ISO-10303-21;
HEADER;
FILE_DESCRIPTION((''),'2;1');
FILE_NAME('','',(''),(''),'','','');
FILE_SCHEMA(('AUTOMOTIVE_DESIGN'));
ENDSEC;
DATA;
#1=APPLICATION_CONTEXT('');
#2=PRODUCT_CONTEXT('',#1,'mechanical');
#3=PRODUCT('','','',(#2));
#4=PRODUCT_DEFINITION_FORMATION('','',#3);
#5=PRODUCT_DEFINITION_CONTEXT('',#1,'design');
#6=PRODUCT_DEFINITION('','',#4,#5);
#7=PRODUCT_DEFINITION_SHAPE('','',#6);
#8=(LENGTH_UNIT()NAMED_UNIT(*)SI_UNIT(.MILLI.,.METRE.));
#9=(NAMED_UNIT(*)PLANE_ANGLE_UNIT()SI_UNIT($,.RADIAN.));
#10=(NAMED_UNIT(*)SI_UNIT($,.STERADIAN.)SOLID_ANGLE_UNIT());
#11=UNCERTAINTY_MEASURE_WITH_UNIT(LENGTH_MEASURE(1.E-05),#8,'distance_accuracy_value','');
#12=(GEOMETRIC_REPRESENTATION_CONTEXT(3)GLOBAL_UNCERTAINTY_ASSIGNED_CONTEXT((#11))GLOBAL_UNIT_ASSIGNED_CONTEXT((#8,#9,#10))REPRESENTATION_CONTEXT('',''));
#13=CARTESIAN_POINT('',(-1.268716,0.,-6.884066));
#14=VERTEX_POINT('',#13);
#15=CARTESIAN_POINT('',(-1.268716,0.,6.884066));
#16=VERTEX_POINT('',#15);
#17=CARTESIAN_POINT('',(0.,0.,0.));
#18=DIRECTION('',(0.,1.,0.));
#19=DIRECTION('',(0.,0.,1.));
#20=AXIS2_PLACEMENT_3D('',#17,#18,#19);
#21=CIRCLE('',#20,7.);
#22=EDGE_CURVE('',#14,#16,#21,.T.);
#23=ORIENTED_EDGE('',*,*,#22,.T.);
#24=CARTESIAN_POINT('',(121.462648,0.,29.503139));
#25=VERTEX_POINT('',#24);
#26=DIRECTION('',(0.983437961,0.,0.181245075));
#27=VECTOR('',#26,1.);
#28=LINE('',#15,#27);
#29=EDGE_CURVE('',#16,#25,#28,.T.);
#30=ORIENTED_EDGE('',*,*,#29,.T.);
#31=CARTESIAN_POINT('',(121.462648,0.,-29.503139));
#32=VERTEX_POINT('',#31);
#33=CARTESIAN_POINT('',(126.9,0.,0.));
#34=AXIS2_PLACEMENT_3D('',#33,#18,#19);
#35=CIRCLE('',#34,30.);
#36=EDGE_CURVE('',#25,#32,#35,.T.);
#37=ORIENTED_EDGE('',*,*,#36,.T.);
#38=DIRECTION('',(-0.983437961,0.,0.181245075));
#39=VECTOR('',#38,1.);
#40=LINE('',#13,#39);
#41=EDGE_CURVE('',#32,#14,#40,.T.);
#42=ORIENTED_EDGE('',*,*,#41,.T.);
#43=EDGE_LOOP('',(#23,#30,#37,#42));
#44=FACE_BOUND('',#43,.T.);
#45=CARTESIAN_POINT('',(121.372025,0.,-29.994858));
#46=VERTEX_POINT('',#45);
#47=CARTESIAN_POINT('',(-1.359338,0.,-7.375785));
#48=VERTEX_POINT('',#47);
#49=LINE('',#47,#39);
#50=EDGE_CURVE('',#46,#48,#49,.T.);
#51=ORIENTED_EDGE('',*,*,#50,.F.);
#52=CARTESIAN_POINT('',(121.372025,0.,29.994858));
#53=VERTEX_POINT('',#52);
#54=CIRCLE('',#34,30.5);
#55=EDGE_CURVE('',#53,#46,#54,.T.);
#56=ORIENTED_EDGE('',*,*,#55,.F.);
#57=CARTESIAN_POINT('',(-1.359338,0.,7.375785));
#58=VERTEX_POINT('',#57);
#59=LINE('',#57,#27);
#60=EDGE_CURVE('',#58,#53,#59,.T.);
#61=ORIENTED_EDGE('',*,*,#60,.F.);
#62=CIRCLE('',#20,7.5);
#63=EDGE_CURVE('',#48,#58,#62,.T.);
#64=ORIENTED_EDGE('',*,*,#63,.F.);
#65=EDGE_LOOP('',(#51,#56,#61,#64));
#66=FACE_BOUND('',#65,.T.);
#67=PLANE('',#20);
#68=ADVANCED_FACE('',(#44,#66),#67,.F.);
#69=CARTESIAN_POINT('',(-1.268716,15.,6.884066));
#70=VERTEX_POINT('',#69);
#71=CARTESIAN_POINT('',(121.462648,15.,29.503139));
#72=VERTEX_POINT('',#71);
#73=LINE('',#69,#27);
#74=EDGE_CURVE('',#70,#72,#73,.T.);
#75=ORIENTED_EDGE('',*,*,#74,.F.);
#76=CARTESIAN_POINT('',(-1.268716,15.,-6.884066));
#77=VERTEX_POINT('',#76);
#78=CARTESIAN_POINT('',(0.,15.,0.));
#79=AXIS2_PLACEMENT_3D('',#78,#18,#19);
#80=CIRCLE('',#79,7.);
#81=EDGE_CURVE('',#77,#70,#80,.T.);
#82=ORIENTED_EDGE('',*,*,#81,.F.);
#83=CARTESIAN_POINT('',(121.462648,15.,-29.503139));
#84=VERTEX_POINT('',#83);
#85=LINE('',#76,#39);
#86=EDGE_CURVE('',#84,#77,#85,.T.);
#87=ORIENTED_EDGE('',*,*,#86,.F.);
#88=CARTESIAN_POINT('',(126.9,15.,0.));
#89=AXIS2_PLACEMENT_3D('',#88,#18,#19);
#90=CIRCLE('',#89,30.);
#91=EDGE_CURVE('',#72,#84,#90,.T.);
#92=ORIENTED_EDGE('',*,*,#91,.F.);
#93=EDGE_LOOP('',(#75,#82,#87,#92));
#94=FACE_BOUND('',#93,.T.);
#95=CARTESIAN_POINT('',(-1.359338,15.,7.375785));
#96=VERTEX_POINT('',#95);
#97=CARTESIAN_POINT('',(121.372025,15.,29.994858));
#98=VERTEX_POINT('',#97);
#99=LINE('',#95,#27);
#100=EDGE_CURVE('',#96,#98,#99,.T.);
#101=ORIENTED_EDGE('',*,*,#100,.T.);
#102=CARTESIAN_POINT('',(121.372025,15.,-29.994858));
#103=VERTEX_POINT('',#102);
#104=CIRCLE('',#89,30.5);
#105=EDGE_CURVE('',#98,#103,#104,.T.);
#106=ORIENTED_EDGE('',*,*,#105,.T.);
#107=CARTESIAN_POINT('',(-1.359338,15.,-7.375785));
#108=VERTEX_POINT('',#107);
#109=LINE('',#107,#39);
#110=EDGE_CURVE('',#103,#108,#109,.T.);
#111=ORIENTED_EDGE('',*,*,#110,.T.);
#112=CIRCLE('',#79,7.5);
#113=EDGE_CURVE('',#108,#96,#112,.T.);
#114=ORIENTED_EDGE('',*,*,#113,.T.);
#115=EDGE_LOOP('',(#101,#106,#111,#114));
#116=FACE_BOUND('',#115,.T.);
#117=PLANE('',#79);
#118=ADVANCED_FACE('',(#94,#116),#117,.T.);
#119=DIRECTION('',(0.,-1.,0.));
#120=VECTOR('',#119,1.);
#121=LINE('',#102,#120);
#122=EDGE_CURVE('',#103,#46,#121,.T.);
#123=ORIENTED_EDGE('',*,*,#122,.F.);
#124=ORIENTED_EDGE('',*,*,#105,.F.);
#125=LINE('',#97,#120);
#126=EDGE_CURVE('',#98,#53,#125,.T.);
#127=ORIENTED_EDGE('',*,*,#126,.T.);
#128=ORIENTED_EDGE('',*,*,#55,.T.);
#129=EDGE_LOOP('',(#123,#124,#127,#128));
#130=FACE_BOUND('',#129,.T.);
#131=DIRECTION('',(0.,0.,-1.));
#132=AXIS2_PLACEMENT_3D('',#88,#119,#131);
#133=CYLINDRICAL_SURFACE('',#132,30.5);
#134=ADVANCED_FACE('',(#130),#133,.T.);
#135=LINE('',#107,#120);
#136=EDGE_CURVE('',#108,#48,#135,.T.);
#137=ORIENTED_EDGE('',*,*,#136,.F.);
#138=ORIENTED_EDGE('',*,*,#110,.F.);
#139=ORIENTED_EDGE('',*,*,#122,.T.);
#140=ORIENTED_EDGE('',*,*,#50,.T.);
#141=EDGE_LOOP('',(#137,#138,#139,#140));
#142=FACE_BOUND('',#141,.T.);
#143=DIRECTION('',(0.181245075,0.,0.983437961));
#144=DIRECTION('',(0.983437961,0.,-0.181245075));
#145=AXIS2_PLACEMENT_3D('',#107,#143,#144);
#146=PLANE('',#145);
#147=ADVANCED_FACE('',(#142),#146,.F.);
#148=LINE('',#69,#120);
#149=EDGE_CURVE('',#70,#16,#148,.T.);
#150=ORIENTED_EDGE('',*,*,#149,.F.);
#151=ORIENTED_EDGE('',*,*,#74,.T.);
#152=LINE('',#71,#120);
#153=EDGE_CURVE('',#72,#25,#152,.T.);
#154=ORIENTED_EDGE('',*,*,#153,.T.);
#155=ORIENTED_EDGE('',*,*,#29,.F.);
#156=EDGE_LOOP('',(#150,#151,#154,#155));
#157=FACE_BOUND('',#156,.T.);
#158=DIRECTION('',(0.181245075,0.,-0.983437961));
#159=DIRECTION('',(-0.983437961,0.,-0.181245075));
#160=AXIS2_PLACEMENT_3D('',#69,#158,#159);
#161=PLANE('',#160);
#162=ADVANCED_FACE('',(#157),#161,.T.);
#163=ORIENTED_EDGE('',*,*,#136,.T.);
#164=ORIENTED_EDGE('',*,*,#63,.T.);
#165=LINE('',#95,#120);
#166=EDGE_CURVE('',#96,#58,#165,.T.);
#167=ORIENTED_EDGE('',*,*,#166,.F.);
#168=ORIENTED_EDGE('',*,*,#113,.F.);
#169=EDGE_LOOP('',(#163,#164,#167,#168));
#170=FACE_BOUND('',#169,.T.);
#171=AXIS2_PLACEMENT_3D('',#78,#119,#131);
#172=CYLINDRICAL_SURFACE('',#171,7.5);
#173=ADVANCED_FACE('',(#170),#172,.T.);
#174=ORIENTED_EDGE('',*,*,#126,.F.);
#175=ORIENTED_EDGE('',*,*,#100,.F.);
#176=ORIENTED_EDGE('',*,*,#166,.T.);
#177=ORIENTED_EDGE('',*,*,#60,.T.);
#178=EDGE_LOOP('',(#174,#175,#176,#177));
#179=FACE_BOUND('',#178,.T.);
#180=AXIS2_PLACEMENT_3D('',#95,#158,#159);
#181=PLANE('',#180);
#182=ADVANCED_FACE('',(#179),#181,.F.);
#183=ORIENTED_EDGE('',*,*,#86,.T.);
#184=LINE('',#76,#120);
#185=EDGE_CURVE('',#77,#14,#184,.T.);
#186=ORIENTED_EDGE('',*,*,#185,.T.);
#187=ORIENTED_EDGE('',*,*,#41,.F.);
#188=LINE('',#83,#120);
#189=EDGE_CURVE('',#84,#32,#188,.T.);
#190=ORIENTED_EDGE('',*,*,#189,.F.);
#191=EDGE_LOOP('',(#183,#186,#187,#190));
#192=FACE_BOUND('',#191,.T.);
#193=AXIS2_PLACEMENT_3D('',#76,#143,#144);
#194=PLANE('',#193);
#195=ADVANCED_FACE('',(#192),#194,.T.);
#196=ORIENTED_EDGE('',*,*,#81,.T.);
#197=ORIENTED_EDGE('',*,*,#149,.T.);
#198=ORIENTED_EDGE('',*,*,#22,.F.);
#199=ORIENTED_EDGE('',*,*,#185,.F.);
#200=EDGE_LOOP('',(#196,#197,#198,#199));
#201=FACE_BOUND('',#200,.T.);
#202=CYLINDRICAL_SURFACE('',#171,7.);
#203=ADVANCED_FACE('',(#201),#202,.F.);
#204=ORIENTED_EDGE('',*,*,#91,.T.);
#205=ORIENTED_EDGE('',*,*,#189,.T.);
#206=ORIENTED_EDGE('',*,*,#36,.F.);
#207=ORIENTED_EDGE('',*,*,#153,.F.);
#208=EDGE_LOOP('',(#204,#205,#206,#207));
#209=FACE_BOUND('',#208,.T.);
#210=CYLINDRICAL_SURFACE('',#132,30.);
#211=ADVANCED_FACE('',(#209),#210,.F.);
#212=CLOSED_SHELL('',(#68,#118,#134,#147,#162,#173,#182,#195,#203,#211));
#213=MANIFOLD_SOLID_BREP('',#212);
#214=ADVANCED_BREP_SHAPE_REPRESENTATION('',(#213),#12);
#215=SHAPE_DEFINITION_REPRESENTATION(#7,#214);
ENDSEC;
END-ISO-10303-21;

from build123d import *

# Parameters (mm, degrees)
BOSS_EXTRUDE1_DEPTH = 15


with BuildPart() as part:
    # Sketch1 → Boss-Extrude1 (new body)
    with BuildSketch(Plane(origin=(0, 0, 0), x_dir=(1, 0, 0), z_dir=(0, 1, 0))):
        with BuildLine():
            Line((-1.359338061, 7.375784706), (121.372025217, 29.994857806))
            ThreePointArc((121.372025217, 29.994857806), (157.4, 0), (121.372025217, -29.994857806))
            Line((121.372025217, -29.994857806), (-1.359338061, -7.375784706))
            ThreePointArc((-1.359338061, -7.375784706), (-7.5, 0), (-1.359338061, 7.375784706))
        make_face()
        with BuildLine():
            Line((-1.268715524, 6.884065726), (121.462647754, 29.503138825))
            ThreePointArc((121.462647754, 29.503138825), (156.9, 0), (121.462647754, -29.503138825))
            Line((121.462647754, -29.503138825), (-1.268715524, -6.884065726))
            ThreePointArc((-1.268715524, -6.884065726), (-7, 0), (-1.268715524, 6.884065726))
        make_face(mode=Mode.SUBTRACT)
    extrude(amount=BOSS_EXTRUDE1_DEPTH)


solid = part.part
